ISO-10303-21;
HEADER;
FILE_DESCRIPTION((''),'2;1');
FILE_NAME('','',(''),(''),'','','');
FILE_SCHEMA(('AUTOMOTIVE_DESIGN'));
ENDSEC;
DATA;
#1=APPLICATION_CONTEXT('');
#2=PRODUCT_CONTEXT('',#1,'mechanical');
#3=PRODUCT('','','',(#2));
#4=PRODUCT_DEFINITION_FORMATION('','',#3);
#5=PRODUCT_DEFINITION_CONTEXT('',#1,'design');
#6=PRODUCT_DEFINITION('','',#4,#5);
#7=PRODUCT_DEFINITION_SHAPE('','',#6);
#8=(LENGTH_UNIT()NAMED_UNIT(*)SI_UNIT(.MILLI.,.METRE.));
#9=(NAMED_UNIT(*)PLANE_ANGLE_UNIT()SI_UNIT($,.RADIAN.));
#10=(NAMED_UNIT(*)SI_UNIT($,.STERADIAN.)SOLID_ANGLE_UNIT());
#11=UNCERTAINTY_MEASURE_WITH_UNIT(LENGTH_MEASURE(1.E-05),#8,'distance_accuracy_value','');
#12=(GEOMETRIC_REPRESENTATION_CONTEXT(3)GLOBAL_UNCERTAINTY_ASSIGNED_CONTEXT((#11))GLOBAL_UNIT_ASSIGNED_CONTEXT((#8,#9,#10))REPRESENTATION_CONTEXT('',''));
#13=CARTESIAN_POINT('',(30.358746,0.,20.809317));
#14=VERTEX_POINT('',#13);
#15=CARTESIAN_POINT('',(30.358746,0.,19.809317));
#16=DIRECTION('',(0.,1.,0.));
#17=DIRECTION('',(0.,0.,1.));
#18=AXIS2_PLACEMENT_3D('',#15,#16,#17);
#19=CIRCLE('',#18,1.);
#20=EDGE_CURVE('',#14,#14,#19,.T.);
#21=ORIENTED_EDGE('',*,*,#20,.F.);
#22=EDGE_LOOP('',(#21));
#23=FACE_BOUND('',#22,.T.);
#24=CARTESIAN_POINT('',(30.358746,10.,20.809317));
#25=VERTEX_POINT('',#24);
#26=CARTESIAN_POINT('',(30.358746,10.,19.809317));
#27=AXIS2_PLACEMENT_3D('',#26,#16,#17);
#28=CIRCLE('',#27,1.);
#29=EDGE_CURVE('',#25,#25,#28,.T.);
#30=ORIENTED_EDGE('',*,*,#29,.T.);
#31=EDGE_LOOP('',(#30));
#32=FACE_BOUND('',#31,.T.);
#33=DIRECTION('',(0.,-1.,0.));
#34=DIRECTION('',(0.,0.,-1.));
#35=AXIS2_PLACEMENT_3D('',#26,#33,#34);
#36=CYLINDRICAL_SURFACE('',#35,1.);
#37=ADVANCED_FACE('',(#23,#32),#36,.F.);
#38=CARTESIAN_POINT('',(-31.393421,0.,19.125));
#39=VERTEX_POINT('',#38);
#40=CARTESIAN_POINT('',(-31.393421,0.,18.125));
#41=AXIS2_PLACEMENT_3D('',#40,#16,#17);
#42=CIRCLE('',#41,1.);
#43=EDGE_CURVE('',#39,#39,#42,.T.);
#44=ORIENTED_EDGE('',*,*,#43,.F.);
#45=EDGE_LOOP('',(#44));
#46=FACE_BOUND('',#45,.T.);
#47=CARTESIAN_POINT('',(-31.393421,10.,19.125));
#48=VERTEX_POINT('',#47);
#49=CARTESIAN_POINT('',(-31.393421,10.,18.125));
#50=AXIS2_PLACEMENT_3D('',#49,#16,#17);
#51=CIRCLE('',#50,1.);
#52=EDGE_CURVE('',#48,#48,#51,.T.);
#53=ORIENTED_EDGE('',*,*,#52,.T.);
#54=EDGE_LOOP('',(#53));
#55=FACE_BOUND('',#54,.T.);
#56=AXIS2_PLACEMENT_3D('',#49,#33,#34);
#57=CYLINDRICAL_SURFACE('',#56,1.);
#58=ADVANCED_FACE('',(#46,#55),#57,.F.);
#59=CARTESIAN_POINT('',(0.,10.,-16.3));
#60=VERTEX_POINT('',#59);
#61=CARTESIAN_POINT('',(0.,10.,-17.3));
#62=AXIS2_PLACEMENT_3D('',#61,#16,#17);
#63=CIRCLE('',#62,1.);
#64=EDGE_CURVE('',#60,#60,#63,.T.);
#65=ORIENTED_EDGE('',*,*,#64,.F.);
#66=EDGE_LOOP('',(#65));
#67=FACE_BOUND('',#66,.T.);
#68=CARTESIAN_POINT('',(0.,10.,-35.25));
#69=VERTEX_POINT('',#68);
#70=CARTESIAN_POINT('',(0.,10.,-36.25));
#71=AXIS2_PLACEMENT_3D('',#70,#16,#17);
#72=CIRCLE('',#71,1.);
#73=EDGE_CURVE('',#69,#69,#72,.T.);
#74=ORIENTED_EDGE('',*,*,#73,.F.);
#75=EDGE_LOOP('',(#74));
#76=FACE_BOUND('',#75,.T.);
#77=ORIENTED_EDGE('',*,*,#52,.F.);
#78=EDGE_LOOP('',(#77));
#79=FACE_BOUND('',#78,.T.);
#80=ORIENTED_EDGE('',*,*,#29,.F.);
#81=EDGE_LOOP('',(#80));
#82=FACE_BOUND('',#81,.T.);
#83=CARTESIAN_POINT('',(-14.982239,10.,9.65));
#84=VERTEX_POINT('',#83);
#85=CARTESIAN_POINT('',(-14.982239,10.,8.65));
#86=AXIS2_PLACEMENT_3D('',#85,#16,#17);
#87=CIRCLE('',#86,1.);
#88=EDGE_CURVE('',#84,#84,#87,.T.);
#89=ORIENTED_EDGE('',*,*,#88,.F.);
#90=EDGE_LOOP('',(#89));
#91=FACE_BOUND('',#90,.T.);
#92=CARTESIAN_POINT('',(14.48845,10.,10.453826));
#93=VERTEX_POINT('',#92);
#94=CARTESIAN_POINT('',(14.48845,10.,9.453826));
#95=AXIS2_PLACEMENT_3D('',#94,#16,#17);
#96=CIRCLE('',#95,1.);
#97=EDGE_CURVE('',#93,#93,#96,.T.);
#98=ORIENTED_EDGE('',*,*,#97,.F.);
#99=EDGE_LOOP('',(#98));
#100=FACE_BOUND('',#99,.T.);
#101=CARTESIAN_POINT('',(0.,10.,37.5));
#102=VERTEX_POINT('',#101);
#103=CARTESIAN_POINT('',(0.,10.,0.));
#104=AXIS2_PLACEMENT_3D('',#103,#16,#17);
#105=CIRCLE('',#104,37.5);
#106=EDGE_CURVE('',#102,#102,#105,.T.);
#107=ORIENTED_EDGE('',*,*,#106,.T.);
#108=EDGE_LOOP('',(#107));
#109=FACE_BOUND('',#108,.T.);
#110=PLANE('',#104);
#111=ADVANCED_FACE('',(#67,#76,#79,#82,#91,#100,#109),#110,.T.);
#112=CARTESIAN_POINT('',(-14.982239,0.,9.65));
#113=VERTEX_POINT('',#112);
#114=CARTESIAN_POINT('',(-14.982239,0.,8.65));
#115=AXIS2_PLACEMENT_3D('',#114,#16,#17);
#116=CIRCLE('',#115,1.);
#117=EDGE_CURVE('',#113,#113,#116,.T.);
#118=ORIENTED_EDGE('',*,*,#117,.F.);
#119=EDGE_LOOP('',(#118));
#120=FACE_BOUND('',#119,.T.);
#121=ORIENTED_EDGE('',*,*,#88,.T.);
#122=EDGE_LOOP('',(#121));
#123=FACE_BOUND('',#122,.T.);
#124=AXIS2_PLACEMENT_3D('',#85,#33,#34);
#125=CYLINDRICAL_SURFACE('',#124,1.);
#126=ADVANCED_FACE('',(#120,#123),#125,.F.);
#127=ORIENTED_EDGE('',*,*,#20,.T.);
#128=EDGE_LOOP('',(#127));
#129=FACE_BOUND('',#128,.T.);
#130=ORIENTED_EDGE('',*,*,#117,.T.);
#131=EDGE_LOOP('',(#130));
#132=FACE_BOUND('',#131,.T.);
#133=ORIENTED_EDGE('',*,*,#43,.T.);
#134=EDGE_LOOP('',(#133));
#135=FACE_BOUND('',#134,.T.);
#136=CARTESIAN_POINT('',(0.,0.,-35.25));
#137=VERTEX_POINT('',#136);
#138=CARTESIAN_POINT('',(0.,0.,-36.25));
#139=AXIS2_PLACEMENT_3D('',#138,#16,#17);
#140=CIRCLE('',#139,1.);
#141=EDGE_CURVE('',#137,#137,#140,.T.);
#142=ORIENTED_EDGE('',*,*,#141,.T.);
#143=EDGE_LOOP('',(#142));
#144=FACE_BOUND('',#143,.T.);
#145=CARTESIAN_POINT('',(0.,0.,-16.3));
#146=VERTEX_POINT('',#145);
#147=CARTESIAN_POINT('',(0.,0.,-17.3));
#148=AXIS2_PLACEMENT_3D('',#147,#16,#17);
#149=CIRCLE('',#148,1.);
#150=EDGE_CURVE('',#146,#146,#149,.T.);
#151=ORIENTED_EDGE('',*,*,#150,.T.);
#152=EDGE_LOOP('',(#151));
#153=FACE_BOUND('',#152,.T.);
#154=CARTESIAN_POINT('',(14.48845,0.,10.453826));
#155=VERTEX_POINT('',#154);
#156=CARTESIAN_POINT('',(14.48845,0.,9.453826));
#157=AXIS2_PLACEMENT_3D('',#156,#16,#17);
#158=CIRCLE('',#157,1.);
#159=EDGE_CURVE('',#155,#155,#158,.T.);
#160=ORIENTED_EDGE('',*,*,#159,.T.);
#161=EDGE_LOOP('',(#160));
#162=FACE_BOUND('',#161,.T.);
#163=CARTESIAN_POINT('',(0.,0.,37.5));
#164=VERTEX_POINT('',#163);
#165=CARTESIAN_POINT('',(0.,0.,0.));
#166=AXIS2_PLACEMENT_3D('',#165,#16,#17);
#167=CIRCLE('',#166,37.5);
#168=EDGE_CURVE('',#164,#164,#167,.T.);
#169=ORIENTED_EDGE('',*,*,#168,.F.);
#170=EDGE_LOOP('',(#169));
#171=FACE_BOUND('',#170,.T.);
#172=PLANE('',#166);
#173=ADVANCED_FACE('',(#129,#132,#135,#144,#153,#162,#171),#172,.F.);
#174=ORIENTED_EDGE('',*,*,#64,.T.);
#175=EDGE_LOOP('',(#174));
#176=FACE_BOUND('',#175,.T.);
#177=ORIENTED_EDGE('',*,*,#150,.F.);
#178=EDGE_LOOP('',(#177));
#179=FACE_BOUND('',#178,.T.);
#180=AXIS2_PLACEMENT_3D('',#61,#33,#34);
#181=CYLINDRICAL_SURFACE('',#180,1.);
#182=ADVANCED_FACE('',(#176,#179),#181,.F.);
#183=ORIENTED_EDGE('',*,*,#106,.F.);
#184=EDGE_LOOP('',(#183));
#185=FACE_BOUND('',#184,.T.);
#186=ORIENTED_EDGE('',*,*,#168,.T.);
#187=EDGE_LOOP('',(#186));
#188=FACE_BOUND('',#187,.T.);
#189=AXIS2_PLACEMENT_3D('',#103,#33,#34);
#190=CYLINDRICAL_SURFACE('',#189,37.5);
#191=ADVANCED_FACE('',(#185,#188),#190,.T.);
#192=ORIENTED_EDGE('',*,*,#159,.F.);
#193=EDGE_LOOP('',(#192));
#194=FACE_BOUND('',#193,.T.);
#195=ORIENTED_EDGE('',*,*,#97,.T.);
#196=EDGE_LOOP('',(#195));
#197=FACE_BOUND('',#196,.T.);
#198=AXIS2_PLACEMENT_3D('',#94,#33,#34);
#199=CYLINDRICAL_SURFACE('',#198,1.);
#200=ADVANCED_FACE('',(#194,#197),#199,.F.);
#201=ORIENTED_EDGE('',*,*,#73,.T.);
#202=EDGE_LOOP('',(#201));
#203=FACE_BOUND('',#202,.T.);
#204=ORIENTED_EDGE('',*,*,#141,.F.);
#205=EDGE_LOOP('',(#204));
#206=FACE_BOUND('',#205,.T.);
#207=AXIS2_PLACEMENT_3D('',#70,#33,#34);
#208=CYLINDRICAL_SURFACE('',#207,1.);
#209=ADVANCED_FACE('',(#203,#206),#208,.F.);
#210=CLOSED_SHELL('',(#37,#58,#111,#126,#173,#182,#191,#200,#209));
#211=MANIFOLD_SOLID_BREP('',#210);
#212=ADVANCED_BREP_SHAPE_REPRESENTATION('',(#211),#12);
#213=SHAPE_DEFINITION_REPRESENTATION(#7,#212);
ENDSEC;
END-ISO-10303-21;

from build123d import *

# Parameters (mm, degrees)
SKETCH3_R           = 37.5
SKETCH3_R_2         = 1
BOSS_EXTRUDE2_DEPTH = 10


with BuildPart() as part:
    # Sketch3 → Boss-Extrude2 (new body)
    with BuildSketch(Plane(origin=(0, 0, 0), x_dir=(1, 0, 0), z_dir=(0, 1, 0))):
        Circle(SKETCH3_R)
        with Locations((0, 17.3)):
            Circle(SKETCH3_R_2, mode=Mode.SUBTRACT)
        with Locations((0, 36.25)):
            Circle(SKETCH3_R_2, mode=Mode.SUBTRACT)
        with Locations((14.488449759, -9.45382587)):
            Circle(SKETCH3_R_2, mode=Mode.SUBTRACT)
        with Locations((30.358745883, -19.809317213)):
            Circle(SKETCH3_R_2, mode=Mode.SUBTRACT)
        with Locations((-14.982239485, -8.65)):
            Circle(SKETCH3_R_2, mode=Mode.SUBTRACT)
        with Locations((-31.393420887, -18.125)):
            Circle(SKETCH3_R_2, mode=Mode.SUBTRACT)
    extrude(amount=BOSS_EXTRUDE2_DEPTH)


solid = part.part
